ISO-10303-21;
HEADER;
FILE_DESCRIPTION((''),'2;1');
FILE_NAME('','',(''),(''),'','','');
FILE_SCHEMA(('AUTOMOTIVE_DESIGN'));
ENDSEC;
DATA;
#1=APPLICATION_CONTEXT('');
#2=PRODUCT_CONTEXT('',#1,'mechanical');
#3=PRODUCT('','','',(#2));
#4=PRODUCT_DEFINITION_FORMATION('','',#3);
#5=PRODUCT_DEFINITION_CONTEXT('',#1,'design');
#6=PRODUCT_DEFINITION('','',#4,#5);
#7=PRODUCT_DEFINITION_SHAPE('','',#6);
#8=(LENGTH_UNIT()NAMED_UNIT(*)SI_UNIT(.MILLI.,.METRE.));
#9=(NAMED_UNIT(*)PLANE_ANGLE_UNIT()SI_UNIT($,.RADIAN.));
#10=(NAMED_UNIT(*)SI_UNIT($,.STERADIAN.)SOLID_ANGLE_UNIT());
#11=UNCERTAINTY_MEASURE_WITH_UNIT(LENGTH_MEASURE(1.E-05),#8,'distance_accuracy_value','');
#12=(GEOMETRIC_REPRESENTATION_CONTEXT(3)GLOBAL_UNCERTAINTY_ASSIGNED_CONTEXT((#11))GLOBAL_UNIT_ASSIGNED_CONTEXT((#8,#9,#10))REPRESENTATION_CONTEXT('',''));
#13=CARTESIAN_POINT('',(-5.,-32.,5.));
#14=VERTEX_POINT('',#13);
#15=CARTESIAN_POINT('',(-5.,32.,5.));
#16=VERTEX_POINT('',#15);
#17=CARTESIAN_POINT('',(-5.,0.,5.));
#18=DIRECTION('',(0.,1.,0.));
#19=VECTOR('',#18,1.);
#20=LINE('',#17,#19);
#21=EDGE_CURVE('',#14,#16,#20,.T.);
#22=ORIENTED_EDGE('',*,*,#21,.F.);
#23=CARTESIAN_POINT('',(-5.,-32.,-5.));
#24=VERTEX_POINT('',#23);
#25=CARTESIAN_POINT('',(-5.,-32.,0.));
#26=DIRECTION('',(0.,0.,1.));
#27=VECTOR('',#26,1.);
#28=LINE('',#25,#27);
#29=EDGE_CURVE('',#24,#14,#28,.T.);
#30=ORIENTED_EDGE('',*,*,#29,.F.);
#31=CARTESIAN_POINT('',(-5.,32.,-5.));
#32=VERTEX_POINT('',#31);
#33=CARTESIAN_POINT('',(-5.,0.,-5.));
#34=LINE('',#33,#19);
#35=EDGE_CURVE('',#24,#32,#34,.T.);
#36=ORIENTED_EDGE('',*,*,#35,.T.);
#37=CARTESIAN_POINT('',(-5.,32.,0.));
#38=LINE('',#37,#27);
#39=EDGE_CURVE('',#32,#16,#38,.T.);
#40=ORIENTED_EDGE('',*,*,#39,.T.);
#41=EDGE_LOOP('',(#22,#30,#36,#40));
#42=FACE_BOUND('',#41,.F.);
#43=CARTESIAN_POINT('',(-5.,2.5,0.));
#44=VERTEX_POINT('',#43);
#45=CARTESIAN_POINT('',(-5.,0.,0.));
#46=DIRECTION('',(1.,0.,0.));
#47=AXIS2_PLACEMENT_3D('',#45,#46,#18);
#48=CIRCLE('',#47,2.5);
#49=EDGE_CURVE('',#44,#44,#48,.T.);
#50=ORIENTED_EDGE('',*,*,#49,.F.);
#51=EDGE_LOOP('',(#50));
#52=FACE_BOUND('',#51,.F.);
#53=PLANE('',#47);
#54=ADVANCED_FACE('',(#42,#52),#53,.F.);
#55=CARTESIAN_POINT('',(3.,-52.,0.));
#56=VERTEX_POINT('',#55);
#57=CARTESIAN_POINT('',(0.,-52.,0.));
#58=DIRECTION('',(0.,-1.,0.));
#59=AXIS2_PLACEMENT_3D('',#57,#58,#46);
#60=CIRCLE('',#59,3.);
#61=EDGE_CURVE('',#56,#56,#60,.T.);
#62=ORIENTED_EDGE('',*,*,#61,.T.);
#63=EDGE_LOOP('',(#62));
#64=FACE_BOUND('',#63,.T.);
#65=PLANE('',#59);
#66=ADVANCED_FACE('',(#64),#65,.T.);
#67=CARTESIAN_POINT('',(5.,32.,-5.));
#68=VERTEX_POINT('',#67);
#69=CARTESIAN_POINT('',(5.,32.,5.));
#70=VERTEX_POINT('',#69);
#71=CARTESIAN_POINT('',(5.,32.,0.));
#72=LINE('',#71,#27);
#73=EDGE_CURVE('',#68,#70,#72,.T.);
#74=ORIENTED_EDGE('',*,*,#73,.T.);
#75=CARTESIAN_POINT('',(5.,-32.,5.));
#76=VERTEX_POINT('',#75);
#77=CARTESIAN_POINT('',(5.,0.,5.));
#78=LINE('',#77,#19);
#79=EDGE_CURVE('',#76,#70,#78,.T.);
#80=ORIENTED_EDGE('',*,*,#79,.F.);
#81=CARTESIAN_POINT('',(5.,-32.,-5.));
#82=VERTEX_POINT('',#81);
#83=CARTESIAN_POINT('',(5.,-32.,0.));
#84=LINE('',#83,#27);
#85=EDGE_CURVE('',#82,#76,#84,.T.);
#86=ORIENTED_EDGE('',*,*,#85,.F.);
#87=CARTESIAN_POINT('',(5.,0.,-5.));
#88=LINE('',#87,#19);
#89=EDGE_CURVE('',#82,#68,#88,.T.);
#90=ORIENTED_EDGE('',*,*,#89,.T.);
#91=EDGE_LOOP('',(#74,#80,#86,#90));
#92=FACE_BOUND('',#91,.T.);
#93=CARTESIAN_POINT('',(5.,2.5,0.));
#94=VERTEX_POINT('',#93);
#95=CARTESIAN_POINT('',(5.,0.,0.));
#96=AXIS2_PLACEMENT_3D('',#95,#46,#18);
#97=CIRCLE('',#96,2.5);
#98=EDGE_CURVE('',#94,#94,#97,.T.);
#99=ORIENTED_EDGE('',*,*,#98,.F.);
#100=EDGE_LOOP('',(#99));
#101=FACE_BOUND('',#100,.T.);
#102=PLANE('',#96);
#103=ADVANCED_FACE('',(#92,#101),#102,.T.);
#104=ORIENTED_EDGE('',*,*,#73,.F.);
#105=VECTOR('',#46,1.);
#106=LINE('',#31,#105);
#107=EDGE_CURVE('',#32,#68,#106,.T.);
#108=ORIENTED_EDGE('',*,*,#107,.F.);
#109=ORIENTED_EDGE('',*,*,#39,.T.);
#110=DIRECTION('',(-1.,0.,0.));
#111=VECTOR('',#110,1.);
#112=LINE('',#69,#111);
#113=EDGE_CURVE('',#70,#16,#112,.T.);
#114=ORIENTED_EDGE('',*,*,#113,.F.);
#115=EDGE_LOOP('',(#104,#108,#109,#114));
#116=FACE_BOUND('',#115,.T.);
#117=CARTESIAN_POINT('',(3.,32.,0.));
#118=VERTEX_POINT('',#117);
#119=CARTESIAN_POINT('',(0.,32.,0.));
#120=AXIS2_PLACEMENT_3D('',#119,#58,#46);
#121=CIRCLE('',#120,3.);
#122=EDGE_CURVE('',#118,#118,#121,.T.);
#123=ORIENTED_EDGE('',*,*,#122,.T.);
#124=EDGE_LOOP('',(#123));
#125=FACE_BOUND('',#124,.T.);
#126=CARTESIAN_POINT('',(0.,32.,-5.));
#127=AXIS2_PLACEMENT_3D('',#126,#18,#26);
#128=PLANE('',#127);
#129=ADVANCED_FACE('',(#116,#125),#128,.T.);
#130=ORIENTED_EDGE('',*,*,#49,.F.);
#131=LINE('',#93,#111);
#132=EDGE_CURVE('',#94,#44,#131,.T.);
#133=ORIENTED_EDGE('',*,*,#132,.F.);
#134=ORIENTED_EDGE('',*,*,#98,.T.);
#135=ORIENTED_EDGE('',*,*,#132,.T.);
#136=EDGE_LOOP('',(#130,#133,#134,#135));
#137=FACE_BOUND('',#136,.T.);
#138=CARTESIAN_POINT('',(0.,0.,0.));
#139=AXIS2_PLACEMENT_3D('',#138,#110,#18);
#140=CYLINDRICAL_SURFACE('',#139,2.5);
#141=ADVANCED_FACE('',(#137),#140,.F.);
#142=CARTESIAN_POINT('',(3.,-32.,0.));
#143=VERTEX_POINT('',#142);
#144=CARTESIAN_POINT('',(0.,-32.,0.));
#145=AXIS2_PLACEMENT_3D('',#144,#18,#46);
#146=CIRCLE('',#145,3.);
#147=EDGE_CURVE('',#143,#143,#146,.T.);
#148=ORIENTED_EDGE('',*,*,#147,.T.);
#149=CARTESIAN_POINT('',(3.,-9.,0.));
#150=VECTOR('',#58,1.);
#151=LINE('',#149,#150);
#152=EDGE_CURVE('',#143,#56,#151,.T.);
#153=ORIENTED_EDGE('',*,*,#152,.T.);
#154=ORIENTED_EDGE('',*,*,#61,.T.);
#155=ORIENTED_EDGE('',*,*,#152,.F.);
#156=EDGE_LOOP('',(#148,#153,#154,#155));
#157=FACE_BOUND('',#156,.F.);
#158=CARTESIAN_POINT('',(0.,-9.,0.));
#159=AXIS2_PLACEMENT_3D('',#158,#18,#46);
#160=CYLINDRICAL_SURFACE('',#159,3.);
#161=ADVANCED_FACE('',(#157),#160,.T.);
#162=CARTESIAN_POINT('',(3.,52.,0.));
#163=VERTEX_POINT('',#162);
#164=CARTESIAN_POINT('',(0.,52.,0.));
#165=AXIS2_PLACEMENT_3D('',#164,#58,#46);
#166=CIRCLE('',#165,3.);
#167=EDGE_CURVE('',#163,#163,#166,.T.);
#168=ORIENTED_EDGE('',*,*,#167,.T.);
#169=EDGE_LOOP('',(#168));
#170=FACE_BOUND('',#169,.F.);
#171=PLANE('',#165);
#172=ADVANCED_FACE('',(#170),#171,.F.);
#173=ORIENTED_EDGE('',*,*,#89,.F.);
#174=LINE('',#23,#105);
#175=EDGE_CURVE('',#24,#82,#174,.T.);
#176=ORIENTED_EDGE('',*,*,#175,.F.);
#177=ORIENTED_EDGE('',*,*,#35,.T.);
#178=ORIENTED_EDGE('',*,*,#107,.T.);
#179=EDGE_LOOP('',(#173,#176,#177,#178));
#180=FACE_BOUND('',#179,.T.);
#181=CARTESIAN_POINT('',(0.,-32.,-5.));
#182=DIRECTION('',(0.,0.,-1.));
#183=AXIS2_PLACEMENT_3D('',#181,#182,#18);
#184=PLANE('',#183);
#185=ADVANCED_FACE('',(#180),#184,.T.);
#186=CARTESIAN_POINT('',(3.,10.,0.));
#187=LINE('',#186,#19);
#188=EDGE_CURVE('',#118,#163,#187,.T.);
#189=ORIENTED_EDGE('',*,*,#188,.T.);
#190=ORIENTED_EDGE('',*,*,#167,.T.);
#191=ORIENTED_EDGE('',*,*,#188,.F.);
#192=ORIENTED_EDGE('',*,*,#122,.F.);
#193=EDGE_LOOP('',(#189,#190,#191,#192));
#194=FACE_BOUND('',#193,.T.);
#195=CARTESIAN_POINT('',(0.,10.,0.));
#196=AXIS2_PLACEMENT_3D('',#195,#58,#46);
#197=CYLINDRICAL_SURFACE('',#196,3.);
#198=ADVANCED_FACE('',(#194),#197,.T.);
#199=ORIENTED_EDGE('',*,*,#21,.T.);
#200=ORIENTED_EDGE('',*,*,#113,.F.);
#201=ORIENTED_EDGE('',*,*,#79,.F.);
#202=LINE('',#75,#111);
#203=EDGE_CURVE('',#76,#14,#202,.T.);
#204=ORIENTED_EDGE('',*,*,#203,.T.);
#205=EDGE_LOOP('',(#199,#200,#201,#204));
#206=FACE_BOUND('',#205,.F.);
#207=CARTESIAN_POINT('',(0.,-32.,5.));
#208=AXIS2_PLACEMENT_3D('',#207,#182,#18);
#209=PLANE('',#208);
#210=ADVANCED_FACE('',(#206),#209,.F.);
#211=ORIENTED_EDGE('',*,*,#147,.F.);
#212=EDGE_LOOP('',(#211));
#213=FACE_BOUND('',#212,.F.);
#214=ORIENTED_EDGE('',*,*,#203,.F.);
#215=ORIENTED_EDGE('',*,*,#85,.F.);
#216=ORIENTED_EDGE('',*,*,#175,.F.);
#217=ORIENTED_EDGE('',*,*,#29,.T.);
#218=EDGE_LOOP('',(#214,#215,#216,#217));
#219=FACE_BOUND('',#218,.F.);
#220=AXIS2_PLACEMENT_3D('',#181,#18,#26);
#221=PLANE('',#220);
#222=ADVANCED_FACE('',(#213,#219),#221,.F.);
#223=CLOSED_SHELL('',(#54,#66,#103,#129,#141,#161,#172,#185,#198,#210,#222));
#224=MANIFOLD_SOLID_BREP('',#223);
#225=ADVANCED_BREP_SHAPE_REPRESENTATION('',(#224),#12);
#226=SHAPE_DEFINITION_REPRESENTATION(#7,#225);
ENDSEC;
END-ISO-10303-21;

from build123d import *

# Parameters (mm, degrees)
F0_W     = 64
F0_H     = 10
F0_R     = 2.5
F1_DEPTH = 5
F3_START = 9
F2_R     = 3
F3_DEPTH = 43
F4_START = -10
F4_DEPTH = 42


with BuildPart() as f1:
    # F0 (on Right) → F1 (new body, symmetric)
    with BuildSketch(Plane.YZ):
        Rectangle(F0_W, F0_H)
        Circle(F0_R, mode=Mode.SUBTRACT)
    extrude(amount=F1_DEPTH, both=True)

    # F2 (on Front) → F3 (join)
    with BuildSketch(Plane.XZ.offset(F3_START)):
        Circle(F2_R)
    extrude(amount=F3_DEPTH)

    # F2 (on Front) → F4 (join)
    with BuildSketch(Plane.XZ.offset(F4_START)):
        Circle(F2_R)
    extrude(amount=-F4_DEPTH)


solid = f1.part
